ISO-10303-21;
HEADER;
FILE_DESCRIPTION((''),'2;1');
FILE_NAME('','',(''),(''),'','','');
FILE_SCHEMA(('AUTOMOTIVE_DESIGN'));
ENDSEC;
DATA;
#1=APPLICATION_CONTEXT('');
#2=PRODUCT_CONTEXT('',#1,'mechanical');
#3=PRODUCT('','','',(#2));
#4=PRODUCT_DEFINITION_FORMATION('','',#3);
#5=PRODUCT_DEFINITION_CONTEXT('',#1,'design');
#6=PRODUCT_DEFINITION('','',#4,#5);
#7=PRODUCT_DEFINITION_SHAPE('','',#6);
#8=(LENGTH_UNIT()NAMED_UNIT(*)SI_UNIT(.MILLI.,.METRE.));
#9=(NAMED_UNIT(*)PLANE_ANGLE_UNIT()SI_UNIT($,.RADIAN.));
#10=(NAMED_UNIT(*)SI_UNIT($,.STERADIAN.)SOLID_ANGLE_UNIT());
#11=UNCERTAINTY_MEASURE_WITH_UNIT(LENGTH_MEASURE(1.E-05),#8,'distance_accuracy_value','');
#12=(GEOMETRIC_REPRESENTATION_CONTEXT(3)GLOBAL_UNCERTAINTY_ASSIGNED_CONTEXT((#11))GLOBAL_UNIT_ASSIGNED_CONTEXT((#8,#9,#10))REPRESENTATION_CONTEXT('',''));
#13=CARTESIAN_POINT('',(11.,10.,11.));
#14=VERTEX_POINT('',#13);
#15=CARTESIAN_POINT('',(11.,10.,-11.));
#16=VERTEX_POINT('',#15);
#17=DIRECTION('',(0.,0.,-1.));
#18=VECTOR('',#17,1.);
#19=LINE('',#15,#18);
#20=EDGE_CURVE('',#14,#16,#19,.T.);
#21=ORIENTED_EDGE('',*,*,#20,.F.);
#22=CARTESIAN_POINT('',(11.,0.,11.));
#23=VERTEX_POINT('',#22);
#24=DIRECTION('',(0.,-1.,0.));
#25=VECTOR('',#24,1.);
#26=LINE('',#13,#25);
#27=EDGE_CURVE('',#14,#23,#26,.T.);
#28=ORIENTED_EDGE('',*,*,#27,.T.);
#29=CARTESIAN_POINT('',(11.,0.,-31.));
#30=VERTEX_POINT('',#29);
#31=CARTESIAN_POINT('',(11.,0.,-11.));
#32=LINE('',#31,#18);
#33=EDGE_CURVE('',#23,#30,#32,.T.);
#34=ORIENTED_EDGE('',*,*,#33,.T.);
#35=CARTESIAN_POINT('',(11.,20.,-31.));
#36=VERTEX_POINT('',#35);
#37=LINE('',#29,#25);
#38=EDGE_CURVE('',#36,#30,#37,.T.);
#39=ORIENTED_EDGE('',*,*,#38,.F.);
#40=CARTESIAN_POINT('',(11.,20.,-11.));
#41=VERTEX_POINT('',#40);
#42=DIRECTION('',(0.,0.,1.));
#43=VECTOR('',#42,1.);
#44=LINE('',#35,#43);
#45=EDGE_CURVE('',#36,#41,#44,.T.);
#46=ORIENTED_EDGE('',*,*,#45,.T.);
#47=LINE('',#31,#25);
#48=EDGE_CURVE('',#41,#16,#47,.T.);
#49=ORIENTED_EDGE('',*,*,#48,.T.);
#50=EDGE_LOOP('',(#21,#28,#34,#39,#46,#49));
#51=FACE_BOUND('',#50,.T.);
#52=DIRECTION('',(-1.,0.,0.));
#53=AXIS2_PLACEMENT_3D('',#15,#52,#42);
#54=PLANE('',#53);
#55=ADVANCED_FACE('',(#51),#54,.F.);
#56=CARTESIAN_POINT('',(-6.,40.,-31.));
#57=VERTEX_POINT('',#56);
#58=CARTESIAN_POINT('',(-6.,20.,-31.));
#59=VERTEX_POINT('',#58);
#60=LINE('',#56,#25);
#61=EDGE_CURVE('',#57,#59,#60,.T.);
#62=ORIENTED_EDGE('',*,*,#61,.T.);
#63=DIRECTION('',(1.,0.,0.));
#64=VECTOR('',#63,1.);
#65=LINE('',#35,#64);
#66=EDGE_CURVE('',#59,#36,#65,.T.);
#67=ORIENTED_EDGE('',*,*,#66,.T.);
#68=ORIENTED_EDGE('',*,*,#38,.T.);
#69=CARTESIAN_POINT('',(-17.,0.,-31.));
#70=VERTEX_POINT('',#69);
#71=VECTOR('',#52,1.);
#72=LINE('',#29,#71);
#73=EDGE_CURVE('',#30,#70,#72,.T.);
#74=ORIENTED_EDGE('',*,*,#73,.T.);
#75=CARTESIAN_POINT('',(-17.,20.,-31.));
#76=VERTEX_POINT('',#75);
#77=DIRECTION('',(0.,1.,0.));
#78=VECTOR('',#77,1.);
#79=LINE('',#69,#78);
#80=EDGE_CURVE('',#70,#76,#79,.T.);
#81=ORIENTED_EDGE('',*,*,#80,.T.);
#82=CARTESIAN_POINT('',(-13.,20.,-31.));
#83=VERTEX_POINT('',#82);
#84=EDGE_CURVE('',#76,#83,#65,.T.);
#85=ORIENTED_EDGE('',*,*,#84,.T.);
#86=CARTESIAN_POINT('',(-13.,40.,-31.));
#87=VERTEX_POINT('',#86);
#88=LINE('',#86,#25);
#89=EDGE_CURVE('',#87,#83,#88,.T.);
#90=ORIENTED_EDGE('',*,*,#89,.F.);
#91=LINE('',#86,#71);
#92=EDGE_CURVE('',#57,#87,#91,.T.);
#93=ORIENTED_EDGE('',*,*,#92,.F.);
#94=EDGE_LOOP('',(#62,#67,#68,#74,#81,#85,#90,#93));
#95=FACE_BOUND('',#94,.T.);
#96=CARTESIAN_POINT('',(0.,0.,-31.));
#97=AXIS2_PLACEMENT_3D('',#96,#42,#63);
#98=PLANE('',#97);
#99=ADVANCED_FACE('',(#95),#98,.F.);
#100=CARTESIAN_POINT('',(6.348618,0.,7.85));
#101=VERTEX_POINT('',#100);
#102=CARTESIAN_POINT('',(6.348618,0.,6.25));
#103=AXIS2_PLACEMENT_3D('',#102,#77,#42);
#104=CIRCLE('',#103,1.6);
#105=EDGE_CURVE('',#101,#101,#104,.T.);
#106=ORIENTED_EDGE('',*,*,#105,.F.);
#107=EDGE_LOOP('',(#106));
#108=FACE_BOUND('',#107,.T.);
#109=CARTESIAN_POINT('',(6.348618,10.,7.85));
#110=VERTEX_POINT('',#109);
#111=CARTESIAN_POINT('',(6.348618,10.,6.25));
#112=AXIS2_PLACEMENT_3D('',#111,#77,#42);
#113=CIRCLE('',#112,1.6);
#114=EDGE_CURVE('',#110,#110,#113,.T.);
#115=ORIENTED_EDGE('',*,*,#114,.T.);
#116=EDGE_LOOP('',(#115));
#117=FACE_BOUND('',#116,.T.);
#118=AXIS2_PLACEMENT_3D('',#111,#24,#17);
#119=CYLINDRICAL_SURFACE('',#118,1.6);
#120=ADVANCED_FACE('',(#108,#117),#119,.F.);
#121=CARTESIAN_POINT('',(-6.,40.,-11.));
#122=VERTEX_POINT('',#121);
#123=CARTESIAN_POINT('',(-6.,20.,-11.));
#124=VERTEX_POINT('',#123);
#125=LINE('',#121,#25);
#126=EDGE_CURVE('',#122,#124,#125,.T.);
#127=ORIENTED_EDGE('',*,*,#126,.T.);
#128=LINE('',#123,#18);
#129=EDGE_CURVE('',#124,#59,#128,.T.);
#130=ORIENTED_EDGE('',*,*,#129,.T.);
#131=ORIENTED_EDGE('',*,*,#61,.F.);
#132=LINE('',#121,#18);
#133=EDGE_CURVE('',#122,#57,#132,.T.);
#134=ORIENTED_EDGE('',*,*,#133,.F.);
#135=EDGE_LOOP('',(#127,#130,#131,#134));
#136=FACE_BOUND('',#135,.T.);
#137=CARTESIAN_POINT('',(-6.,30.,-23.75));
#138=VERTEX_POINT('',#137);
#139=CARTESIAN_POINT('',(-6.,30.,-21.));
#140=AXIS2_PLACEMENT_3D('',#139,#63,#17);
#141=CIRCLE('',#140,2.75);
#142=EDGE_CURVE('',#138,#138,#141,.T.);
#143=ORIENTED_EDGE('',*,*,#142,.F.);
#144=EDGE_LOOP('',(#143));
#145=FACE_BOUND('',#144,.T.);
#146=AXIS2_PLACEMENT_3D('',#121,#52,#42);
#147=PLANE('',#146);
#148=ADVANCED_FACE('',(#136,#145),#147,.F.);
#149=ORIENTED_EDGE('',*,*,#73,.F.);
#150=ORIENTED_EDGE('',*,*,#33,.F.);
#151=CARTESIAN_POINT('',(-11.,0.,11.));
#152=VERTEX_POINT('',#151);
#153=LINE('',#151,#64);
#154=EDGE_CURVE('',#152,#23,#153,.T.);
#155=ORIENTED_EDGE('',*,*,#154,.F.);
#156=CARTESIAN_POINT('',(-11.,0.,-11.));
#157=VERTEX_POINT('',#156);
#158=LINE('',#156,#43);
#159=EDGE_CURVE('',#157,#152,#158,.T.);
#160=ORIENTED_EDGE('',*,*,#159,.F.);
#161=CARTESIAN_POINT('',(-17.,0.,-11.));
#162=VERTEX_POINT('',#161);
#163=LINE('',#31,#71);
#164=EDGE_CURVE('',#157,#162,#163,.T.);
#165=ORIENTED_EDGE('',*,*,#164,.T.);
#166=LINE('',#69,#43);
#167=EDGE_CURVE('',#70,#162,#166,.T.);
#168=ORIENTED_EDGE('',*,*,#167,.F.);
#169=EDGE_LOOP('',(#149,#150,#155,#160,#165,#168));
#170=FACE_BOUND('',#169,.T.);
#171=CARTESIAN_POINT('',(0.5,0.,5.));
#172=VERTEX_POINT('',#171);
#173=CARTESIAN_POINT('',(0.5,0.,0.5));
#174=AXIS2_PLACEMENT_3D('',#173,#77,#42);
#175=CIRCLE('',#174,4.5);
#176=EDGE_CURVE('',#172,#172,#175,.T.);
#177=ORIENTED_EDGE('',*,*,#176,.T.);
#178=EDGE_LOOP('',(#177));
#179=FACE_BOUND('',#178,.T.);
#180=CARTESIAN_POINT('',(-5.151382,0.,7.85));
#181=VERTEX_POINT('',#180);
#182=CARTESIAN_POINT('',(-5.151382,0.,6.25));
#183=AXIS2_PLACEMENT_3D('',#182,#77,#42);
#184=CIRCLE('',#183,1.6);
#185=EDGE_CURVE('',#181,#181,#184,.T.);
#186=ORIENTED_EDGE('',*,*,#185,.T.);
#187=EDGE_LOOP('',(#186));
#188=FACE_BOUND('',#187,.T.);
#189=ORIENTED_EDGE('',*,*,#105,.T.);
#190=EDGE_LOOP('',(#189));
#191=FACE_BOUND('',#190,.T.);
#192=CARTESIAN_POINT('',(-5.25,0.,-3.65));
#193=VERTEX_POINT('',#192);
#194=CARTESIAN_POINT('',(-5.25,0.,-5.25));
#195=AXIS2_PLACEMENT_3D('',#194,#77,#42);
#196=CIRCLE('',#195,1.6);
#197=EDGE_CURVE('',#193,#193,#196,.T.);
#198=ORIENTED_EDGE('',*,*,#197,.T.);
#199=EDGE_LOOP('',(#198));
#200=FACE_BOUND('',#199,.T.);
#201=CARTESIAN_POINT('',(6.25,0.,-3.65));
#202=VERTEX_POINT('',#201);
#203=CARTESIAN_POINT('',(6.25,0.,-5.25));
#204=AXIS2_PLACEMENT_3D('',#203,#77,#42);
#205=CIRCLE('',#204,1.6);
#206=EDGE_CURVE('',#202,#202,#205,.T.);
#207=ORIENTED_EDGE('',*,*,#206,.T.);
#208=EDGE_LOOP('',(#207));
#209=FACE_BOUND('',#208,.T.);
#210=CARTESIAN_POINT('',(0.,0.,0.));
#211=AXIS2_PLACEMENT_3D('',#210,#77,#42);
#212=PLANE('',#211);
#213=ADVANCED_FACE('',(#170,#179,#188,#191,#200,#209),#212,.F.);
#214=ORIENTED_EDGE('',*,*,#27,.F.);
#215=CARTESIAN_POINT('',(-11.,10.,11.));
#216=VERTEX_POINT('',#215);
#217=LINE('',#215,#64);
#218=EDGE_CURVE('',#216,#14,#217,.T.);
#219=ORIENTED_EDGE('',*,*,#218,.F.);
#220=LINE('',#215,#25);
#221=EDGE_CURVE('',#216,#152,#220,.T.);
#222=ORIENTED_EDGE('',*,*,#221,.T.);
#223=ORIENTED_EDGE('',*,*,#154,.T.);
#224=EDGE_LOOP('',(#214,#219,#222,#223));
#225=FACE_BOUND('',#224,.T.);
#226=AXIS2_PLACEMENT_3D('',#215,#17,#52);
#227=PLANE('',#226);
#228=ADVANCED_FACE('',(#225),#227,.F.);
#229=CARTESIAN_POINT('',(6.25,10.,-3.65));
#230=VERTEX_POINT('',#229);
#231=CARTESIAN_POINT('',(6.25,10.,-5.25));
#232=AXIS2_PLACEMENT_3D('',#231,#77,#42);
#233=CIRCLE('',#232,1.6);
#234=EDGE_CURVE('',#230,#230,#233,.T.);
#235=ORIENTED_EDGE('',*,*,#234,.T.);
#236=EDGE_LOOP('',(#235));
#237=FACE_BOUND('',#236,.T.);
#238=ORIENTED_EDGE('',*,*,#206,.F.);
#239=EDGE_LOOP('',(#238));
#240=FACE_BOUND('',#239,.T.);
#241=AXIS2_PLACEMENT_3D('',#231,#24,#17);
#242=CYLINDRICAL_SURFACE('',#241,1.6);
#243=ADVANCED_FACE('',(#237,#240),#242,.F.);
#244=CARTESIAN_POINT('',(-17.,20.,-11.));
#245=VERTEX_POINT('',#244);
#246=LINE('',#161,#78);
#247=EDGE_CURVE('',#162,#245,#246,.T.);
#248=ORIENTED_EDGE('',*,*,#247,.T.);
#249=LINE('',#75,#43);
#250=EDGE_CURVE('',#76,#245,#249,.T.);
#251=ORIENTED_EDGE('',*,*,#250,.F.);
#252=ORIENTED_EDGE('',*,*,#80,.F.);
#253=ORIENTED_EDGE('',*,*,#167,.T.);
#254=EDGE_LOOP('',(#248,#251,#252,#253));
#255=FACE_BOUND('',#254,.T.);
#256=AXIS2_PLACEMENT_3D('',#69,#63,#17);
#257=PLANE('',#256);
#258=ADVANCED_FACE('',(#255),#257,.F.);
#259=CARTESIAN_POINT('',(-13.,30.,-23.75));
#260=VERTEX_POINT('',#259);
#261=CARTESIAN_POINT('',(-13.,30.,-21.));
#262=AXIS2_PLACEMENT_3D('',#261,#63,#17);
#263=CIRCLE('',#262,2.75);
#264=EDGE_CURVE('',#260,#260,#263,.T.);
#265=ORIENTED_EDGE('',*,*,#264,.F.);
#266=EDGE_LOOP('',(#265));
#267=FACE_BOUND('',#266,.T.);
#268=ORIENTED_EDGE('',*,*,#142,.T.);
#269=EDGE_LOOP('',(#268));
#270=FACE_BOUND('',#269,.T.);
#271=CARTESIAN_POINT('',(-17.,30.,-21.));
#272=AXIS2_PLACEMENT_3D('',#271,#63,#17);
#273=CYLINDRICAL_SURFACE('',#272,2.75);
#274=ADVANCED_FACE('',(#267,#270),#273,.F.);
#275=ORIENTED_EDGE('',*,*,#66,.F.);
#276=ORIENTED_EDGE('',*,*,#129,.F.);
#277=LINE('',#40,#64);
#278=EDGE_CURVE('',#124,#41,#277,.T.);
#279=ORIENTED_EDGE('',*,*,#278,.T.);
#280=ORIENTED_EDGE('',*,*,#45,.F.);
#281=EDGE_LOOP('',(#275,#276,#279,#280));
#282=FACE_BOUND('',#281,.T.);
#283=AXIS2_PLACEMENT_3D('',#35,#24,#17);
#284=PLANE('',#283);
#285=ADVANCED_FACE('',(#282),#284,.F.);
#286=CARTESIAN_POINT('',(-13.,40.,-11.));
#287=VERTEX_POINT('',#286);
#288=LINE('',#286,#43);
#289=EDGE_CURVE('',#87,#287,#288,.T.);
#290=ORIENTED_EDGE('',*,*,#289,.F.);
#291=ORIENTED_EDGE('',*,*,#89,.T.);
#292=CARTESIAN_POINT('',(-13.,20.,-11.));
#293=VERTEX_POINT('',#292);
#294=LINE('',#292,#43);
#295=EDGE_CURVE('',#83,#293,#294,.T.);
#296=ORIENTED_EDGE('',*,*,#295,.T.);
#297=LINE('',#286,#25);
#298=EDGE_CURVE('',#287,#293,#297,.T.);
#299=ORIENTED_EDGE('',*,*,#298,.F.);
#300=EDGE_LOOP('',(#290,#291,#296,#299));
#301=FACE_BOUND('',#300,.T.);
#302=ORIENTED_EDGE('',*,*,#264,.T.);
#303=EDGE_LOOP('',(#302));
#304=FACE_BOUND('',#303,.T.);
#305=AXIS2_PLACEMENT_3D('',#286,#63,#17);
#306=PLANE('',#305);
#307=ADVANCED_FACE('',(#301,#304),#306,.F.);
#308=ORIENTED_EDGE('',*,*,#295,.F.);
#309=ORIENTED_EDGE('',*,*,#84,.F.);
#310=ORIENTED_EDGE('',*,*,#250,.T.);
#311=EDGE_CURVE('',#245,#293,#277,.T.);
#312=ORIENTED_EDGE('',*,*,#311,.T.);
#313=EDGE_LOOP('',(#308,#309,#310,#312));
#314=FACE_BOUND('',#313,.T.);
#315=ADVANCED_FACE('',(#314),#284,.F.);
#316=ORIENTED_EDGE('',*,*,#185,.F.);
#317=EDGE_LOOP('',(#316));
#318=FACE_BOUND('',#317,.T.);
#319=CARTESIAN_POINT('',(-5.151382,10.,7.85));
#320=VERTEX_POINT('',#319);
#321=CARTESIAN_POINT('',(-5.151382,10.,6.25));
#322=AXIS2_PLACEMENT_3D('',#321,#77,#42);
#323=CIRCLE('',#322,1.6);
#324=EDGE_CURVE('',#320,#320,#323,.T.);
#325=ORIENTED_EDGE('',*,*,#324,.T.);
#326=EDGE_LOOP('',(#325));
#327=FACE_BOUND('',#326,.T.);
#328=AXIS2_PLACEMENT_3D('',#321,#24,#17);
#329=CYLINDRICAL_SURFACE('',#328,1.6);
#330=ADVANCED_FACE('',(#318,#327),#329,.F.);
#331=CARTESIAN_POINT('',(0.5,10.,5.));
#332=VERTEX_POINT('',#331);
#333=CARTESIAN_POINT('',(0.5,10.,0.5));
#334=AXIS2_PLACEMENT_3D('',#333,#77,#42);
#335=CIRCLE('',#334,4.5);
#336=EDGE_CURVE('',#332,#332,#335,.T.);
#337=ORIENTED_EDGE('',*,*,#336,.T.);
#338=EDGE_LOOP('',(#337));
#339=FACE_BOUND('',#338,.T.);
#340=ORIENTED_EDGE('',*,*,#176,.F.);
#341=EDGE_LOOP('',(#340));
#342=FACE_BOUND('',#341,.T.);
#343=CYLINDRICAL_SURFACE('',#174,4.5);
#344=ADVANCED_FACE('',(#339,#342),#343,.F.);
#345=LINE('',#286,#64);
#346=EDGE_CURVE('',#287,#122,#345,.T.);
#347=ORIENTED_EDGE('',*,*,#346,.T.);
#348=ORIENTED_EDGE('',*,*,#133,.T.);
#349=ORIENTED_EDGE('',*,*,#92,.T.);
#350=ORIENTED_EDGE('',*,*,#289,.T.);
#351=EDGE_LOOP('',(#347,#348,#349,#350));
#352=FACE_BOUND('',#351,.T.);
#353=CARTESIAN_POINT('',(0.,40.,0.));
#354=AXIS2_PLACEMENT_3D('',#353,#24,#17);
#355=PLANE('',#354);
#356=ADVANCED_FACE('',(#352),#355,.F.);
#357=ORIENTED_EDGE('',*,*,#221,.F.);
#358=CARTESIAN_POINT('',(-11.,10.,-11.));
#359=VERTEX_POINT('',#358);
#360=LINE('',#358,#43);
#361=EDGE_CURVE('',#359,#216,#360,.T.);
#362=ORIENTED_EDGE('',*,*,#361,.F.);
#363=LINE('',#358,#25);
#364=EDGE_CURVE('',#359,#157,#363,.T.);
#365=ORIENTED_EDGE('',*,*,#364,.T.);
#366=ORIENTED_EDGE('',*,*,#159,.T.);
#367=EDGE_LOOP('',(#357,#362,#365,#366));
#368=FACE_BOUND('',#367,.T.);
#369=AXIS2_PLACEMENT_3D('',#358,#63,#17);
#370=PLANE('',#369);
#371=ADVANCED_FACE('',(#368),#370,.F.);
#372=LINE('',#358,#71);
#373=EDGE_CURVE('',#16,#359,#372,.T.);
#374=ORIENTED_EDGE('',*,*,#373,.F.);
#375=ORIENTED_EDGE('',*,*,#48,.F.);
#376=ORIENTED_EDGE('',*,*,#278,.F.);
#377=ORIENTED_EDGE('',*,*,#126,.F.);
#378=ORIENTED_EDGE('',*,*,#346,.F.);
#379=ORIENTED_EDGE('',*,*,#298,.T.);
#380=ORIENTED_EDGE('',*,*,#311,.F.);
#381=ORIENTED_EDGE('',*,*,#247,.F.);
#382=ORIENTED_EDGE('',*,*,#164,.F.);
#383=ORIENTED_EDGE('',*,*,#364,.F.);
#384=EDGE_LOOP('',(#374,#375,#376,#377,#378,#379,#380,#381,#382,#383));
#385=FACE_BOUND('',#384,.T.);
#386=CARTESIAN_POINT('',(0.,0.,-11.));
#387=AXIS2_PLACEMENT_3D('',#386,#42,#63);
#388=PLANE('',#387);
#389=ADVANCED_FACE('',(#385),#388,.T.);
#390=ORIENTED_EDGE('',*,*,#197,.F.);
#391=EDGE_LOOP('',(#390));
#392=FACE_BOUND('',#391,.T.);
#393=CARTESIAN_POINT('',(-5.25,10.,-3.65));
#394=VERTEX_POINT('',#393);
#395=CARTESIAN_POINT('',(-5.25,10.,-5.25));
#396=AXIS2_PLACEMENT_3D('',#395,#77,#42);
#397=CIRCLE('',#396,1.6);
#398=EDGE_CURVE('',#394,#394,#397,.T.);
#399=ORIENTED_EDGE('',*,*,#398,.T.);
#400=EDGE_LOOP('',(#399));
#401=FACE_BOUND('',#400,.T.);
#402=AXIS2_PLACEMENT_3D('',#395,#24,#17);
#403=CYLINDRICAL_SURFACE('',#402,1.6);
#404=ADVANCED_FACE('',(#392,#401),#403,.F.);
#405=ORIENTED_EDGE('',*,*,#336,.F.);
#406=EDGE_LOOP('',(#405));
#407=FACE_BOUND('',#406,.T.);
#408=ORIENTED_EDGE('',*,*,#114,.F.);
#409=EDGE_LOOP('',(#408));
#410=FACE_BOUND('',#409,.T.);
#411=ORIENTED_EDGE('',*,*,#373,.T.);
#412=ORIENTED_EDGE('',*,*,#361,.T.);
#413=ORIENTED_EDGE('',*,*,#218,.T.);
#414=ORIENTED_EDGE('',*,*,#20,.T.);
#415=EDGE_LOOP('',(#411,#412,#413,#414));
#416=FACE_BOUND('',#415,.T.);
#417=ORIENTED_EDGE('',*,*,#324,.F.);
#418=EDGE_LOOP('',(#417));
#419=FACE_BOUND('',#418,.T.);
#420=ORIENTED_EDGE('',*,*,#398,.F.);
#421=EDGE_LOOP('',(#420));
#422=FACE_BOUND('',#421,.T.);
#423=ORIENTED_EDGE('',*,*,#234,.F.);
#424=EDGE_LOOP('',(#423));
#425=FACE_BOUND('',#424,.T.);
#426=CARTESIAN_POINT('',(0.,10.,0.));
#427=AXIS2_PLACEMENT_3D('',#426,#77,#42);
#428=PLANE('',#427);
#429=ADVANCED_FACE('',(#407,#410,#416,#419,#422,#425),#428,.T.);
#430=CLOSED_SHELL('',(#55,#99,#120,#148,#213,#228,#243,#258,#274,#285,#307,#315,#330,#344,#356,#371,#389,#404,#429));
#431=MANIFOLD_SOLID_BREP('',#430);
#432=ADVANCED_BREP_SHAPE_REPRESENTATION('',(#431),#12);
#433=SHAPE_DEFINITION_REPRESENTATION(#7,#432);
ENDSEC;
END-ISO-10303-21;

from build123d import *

# Parameters (mm, degrees)
SKETCH1_W           = 22
SKETCH1_H           = 22
SKETCH1_R           = 1.6
BOSS_EXTRUDE1_DEPTH = 10
SKETCH2_W           = 28
SKETCH2_H           = 20
BOSS_EXTRUDE2_DEPTH = 20
SKETCH3_W           = 7
SKETCH3_H           = 20
BOSS_EXTRUDE3_DEPTH = 20
SKETCH4_R           = 2.75
CUT_EXTRUDE1_DEPTH  = 12
SKETCH5_R           = 4.5
CUT_EXTRUDE2_DEPTH  = 11


with BuildPart() as part:
    # Sketch1 → Boss-Extrude1 (new body)
    with BuildSketch(Plane(origin=(0, 0, 0), x_dir=(1, 0, 0), z_dir=(0, 1, 0))):
        Rectangle(SKETCH1_W, SKETCH1_H)
        with Locations((-5.25, 5.25)):
            Circle(SKETCH1_R, mode=Mode.SUBTRACT)
        with Locations((6.25, 5.25)):
            Circle(SKETCH1_R, mode=Mode.SUBTRACT)
        with Locations((6.348618383, -6.25)):
            Circle(SKETCH1_R, mode=Mode.SUBTRACT)
        with Locations((-5.151381617, -6.25)):
            Circle(SKETCH1_R, mode=Mode.SUBTRACT)
    extrude(amount=BOSS_EXTRUDE1_DEPTH)

    # Sketch2 → Boss-Extrude2 (add)
    with BuildSketch(Plane(origin=(0, 0, -11), x_dir=(-1, 0, 0), z_dir=(0, 0, -1))):
        with Locations((3, 10)):
            Rectangle(SKETCH2_W, SKETCH2_H)
    extrude(amount=BOSS_EXTRUDE2_DEPTH)

    # Sketch3 → Boss-Extrude3 (add)
    with BuildSketch(Plane(origin=(0, 20, 0), x_dir=(1, 0, 0), z_dir=(0, 1, 0))):
        with Locations((-9.5, 21)):
            Rectangle(SKETCH3_W, SKETCH3_H)
    extrude(amount=BOSS_EXTRUDE3_DEPTH)

    # Sketch4 → Cut-Extrude1 (cut, through all)
    with BuildSketch(Plane(origin=(-6, 0, 0), x_dir=(0, 0, -1), z_dir=(1, 0, 0))):
        with Locations((21, 30)):
            Circle(SKETCH4_R)
    extrude(amount=-CUT_EXTRUDE1_DEPTH, mode=Mode.SUBTRACT)

    # Sketch5 → Cut-Extrude2 (cut, through all)
    with BuildSketch(Plane(origin=(0, 10, 0), x_dir=(1, 0, 0), z_dir=(0, 1, 0))):
        with Locations((0.5, -0.5)):
            Circle(SKETCH5_R)
    extrude(amount=-CUT_EXTRUDE2_DEPTH, mode=Mode.SUBTRACT)


solid = part.part
